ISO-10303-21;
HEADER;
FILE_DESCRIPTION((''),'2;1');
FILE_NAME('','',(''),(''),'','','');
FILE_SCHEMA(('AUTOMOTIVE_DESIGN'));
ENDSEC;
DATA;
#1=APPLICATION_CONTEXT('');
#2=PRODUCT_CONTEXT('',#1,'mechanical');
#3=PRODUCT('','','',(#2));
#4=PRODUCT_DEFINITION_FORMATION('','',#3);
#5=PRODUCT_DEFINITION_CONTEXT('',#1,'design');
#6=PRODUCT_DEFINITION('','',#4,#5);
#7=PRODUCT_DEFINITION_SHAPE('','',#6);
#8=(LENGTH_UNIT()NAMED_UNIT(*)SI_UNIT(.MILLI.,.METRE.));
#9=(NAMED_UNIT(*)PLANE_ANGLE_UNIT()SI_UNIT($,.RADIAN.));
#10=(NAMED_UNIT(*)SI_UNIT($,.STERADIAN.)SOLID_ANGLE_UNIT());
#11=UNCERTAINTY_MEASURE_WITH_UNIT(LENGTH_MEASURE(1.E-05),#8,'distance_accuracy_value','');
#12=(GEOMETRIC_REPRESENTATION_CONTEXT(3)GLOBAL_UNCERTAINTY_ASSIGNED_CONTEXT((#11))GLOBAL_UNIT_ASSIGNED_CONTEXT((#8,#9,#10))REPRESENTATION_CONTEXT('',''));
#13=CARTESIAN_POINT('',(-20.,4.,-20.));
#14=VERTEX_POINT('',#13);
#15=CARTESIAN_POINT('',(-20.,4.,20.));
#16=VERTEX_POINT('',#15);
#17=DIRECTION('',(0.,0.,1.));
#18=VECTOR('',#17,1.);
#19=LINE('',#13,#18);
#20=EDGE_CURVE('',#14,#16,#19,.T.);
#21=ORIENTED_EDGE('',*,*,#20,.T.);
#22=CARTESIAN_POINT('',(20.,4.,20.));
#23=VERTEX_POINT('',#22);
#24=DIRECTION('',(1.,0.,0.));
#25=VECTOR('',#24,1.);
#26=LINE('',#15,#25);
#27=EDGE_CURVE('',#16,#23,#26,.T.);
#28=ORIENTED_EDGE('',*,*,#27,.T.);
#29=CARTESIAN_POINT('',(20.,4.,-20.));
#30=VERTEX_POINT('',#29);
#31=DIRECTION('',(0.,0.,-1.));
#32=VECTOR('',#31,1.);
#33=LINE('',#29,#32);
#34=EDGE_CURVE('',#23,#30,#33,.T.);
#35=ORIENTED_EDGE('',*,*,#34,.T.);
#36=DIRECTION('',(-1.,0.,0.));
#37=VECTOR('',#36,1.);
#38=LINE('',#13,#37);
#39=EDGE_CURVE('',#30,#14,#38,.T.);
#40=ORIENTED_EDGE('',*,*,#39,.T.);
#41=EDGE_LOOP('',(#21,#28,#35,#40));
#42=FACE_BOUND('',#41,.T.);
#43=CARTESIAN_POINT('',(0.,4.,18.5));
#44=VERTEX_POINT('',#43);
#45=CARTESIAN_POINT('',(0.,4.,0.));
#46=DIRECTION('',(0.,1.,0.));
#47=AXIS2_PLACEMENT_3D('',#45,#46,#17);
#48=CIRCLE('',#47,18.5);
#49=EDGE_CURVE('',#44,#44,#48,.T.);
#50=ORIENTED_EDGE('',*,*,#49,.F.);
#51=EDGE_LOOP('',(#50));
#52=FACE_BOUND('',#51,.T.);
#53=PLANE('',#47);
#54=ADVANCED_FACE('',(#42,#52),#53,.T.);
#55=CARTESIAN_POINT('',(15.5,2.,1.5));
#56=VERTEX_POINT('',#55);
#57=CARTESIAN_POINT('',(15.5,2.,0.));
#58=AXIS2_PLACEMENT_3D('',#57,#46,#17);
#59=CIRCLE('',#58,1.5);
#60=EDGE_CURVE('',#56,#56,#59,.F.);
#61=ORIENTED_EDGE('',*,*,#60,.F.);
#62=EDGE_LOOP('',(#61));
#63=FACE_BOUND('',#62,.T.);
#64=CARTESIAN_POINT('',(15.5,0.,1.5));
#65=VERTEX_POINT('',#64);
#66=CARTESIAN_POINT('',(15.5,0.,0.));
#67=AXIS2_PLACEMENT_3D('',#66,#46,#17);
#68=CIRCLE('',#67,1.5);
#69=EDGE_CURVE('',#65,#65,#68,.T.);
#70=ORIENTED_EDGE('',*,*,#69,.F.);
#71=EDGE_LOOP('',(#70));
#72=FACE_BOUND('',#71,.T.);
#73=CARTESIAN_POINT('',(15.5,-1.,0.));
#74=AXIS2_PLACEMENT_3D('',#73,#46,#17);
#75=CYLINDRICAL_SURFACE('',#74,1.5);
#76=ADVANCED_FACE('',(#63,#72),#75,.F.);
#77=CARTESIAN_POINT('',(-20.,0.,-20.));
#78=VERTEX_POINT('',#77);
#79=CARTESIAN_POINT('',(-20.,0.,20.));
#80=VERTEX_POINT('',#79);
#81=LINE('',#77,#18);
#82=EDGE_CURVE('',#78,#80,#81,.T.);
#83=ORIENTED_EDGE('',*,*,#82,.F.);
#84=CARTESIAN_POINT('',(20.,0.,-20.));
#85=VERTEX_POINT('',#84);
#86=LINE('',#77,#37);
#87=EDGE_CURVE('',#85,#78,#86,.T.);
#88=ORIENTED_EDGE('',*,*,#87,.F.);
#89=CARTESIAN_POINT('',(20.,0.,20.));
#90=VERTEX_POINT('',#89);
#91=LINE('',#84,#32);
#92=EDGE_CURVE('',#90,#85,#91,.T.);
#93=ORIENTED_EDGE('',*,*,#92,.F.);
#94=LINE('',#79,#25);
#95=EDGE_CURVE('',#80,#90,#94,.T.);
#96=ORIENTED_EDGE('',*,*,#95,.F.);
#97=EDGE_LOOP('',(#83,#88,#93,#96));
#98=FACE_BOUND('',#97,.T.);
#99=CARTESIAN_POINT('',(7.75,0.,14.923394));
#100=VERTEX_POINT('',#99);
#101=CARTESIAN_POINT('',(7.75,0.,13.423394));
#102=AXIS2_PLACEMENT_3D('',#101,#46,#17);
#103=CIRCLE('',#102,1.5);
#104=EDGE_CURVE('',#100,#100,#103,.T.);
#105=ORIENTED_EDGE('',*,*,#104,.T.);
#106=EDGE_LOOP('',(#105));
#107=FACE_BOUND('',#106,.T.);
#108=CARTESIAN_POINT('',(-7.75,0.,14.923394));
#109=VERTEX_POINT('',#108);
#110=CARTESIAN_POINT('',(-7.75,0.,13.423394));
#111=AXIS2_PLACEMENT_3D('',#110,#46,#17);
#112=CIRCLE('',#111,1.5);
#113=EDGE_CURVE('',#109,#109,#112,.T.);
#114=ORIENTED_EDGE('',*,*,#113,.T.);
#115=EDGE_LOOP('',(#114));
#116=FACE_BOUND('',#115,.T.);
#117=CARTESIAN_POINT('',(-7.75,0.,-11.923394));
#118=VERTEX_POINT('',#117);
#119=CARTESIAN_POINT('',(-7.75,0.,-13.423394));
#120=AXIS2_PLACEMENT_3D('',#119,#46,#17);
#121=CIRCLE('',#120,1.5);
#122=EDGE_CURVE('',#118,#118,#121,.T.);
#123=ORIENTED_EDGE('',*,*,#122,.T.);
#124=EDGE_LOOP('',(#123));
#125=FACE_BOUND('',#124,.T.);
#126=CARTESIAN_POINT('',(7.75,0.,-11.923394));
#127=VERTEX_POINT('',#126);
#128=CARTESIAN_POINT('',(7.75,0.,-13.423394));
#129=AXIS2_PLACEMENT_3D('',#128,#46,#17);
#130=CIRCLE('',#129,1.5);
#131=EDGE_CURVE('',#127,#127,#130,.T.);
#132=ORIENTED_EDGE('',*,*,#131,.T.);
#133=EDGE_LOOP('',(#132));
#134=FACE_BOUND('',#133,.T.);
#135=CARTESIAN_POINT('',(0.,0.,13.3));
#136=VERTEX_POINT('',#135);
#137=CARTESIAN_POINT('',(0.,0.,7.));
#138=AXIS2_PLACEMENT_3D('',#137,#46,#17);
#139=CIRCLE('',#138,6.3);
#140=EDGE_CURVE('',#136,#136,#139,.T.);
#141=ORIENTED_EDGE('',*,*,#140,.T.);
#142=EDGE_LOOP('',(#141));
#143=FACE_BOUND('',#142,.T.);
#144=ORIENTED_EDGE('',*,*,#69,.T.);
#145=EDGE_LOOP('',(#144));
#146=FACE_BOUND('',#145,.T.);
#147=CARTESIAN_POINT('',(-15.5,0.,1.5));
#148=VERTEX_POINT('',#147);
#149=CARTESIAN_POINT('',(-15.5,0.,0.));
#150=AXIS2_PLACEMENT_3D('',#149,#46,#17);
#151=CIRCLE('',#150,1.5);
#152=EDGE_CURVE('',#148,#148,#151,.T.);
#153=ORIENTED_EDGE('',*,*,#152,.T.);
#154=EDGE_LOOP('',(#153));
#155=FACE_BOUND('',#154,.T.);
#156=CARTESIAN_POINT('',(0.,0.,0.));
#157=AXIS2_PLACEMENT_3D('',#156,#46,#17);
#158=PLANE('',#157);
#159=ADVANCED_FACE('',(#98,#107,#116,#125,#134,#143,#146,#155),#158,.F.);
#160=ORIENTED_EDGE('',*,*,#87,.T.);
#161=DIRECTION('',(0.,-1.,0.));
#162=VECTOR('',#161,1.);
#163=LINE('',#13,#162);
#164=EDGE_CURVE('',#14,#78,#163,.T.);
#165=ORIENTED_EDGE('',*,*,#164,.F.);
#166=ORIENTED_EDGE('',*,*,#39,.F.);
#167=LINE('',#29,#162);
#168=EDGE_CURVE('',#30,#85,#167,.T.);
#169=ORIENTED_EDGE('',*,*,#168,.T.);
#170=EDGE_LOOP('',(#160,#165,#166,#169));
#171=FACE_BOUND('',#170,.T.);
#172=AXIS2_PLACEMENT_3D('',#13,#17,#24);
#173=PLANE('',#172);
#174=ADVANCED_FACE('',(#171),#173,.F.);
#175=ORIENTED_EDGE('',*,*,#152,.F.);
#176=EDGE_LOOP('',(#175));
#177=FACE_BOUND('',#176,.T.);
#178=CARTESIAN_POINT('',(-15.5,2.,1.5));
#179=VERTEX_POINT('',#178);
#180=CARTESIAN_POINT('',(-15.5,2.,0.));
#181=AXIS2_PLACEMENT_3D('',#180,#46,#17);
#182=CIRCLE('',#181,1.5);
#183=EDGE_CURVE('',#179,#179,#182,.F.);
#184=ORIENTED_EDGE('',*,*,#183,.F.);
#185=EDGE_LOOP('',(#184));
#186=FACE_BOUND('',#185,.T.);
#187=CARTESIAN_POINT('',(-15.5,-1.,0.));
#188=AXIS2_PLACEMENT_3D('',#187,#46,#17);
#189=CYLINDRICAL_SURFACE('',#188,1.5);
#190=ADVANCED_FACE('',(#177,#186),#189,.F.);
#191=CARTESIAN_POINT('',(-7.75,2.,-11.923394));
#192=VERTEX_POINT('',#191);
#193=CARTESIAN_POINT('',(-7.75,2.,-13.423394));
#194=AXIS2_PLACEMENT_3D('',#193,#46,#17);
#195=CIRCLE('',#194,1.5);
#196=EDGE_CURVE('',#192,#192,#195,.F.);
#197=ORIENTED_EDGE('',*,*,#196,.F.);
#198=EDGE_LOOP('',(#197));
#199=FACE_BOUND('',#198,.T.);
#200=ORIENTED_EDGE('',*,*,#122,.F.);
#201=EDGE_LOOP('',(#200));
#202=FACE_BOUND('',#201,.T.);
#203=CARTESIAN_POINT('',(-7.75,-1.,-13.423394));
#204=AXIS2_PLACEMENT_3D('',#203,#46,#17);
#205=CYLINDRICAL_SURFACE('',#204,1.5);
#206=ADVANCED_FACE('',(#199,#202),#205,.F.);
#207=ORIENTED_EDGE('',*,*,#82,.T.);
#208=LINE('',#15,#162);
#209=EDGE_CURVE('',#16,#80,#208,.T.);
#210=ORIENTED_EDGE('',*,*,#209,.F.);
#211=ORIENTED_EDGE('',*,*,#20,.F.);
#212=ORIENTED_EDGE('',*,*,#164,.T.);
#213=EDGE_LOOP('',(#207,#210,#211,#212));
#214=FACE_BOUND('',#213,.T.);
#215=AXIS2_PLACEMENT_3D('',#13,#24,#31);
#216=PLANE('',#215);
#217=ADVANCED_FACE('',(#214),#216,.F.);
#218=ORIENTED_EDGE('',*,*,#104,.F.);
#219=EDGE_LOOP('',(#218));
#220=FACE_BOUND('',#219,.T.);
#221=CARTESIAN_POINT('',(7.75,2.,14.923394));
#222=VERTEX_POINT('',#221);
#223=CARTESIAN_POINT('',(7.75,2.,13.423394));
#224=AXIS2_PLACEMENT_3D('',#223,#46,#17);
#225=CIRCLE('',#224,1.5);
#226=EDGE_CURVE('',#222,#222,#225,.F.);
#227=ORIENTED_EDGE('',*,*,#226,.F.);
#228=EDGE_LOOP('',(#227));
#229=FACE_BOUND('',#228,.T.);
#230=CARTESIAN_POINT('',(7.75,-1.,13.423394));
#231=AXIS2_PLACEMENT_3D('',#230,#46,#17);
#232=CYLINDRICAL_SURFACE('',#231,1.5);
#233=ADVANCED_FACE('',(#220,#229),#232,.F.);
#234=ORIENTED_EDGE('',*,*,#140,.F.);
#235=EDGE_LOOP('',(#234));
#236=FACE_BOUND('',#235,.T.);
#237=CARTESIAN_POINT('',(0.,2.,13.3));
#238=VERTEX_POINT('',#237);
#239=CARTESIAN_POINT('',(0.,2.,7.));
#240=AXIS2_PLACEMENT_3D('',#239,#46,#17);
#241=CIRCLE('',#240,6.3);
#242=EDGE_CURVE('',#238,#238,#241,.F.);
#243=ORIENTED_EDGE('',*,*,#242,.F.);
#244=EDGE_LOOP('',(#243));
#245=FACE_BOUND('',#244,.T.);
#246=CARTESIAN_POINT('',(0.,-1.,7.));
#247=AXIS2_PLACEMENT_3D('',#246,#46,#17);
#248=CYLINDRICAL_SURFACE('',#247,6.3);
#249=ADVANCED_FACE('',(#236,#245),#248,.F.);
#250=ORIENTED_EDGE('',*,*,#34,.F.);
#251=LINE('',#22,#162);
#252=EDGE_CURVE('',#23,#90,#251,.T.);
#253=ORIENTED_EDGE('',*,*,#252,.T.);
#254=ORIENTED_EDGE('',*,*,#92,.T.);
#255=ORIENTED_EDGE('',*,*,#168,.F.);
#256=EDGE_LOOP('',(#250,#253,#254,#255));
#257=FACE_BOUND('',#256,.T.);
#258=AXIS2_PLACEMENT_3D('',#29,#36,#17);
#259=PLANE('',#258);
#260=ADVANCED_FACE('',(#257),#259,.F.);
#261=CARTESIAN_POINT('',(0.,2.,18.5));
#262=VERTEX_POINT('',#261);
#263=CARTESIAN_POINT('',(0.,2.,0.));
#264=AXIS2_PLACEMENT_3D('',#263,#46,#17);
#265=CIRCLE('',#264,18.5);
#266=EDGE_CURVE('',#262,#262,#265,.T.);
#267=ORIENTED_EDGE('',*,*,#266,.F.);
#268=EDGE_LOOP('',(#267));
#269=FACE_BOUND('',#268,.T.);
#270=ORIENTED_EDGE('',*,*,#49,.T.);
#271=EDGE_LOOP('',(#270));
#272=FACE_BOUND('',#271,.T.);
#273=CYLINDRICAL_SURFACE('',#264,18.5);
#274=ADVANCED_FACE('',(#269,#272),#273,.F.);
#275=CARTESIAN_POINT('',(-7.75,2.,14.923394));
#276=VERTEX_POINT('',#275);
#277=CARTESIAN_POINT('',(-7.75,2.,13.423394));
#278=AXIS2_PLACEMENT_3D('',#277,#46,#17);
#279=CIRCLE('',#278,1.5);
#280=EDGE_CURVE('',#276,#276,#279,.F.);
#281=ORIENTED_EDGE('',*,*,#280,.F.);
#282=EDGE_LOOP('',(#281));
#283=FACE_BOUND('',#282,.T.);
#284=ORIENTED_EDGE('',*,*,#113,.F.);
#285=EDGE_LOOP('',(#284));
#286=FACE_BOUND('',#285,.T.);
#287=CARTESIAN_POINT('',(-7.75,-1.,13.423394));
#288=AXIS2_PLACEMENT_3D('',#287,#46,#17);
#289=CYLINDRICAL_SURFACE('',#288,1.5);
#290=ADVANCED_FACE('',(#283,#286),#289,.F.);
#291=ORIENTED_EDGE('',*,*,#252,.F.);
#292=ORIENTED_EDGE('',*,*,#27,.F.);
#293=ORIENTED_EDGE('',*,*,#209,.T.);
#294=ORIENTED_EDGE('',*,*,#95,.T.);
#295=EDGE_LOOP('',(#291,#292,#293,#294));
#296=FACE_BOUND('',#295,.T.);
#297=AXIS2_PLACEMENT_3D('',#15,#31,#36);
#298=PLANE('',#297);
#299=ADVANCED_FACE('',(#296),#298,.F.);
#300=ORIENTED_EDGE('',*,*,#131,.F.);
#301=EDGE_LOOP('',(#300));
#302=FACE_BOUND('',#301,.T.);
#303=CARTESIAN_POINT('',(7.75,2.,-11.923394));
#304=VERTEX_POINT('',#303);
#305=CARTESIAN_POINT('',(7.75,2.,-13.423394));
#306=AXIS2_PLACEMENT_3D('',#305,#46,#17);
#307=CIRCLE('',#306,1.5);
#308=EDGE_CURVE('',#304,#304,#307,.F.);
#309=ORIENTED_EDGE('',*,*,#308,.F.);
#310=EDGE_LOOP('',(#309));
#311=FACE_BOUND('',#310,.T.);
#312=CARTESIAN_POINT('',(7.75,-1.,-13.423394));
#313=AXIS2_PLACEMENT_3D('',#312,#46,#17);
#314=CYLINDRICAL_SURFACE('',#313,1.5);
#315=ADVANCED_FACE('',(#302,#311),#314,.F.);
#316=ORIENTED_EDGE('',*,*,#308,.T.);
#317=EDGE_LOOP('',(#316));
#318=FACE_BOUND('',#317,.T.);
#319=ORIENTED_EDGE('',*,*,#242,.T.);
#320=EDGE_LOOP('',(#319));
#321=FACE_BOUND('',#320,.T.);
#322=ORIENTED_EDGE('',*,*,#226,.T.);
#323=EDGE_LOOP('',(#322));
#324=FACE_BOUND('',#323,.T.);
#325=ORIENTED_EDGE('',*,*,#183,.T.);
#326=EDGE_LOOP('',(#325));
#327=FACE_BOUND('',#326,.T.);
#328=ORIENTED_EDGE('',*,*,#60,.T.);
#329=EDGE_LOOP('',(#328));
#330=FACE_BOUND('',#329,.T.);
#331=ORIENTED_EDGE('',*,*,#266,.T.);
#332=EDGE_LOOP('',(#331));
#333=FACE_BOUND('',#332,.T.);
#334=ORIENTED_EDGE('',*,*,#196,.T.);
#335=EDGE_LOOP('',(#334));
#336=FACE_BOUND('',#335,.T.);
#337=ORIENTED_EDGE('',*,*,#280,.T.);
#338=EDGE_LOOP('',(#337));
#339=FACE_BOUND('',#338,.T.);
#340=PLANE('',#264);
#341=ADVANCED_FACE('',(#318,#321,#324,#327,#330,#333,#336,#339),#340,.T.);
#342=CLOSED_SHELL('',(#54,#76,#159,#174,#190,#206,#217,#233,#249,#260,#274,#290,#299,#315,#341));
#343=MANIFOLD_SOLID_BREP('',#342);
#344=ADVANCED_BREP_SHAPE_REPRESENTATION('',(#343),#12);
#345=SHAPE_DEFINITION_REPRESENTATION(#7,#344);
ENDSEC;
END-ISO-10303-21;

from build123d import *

# Parameters (mm, degrees)
SKETCH1_W           = 40
SKETCH1_H           = 40
BOSS_EXTRUDE1_DEPTH = 4
SKETCH2_R           = 6.3
SKETCH2_R_2         = 1.5
CUT_EXTRUDE2_DEPTH  = 5
SKETCH3_R           = 18.5
CUT_EXTRUDE3_DEPTH  = 2


with BuildPart() as part:
    # Sketch1 → Boss-Extrude1 (new body)
    with BuildSketch(Plane(origin=(0, 0, 0), x_dir=(1, 0, 0), z_dir=(0, 1, 0))):
        Rectangle(SKETCH1_W, SKETCH1_H)
    extrude(amount=BOSS_EXTRUDE1_DEPTH)

    # Sketch2 → Cut-Extrude2 (cut)
    with BuildSketch(Plane(origin=(0, 4, 0), x_dir=(1, 0, 0), z_dir=(0, 1, 0))):
        with Locations(Location((0, -7, 0), (0, 0, 270))):
            Circle(SKETCH2_R)
        with Locations(Location((15.5, 0, 0), (0, 0, 270))):
            Circle(SKETCH2_R_2)
        with Locations(Location((7.75, -13.423393759, 0), (0, 0, 270))):
            Circle(SKETCH2_R_2)
        with Locations(Location((-7.75, -13.423393759, 0), (0, 0, 270))):
            Circle(SKETCH2_R_2)
        with Locations(Location((-15.5, 0, 0), (0, 0, 270))):
            Circle(SKETCH2_R_2)
        with Locations(Location((-7.75, 13.423393759, 0), (0, 0, 270))):
            Circle(SKETCH2_R_2)
        with Locations(Location((7.75, 13.423393759, 0), (0, 0, 270))):
            Circle(SKETCH2_R_2)
    extrude(amount=-CUT_EXTRUDE2_DEPTH, mode=Mode.SUBTRACT)

    # Sketch3 → Cut-Extrude3 (cut)
    with BuildSketch(Plane(origin=(0, 4, 0), x_dir=(1, 0, 0), z_dir=(0, 1, 0))):
        with Locations(Location((0, 0, 0), (0, 0, 270))):
            Circle(SKETCH3_R)
    extrude(amount=-CUT_EXTRUDE3_DEPTH, mode=Mode.SUBTRACT)


solid = part.part
